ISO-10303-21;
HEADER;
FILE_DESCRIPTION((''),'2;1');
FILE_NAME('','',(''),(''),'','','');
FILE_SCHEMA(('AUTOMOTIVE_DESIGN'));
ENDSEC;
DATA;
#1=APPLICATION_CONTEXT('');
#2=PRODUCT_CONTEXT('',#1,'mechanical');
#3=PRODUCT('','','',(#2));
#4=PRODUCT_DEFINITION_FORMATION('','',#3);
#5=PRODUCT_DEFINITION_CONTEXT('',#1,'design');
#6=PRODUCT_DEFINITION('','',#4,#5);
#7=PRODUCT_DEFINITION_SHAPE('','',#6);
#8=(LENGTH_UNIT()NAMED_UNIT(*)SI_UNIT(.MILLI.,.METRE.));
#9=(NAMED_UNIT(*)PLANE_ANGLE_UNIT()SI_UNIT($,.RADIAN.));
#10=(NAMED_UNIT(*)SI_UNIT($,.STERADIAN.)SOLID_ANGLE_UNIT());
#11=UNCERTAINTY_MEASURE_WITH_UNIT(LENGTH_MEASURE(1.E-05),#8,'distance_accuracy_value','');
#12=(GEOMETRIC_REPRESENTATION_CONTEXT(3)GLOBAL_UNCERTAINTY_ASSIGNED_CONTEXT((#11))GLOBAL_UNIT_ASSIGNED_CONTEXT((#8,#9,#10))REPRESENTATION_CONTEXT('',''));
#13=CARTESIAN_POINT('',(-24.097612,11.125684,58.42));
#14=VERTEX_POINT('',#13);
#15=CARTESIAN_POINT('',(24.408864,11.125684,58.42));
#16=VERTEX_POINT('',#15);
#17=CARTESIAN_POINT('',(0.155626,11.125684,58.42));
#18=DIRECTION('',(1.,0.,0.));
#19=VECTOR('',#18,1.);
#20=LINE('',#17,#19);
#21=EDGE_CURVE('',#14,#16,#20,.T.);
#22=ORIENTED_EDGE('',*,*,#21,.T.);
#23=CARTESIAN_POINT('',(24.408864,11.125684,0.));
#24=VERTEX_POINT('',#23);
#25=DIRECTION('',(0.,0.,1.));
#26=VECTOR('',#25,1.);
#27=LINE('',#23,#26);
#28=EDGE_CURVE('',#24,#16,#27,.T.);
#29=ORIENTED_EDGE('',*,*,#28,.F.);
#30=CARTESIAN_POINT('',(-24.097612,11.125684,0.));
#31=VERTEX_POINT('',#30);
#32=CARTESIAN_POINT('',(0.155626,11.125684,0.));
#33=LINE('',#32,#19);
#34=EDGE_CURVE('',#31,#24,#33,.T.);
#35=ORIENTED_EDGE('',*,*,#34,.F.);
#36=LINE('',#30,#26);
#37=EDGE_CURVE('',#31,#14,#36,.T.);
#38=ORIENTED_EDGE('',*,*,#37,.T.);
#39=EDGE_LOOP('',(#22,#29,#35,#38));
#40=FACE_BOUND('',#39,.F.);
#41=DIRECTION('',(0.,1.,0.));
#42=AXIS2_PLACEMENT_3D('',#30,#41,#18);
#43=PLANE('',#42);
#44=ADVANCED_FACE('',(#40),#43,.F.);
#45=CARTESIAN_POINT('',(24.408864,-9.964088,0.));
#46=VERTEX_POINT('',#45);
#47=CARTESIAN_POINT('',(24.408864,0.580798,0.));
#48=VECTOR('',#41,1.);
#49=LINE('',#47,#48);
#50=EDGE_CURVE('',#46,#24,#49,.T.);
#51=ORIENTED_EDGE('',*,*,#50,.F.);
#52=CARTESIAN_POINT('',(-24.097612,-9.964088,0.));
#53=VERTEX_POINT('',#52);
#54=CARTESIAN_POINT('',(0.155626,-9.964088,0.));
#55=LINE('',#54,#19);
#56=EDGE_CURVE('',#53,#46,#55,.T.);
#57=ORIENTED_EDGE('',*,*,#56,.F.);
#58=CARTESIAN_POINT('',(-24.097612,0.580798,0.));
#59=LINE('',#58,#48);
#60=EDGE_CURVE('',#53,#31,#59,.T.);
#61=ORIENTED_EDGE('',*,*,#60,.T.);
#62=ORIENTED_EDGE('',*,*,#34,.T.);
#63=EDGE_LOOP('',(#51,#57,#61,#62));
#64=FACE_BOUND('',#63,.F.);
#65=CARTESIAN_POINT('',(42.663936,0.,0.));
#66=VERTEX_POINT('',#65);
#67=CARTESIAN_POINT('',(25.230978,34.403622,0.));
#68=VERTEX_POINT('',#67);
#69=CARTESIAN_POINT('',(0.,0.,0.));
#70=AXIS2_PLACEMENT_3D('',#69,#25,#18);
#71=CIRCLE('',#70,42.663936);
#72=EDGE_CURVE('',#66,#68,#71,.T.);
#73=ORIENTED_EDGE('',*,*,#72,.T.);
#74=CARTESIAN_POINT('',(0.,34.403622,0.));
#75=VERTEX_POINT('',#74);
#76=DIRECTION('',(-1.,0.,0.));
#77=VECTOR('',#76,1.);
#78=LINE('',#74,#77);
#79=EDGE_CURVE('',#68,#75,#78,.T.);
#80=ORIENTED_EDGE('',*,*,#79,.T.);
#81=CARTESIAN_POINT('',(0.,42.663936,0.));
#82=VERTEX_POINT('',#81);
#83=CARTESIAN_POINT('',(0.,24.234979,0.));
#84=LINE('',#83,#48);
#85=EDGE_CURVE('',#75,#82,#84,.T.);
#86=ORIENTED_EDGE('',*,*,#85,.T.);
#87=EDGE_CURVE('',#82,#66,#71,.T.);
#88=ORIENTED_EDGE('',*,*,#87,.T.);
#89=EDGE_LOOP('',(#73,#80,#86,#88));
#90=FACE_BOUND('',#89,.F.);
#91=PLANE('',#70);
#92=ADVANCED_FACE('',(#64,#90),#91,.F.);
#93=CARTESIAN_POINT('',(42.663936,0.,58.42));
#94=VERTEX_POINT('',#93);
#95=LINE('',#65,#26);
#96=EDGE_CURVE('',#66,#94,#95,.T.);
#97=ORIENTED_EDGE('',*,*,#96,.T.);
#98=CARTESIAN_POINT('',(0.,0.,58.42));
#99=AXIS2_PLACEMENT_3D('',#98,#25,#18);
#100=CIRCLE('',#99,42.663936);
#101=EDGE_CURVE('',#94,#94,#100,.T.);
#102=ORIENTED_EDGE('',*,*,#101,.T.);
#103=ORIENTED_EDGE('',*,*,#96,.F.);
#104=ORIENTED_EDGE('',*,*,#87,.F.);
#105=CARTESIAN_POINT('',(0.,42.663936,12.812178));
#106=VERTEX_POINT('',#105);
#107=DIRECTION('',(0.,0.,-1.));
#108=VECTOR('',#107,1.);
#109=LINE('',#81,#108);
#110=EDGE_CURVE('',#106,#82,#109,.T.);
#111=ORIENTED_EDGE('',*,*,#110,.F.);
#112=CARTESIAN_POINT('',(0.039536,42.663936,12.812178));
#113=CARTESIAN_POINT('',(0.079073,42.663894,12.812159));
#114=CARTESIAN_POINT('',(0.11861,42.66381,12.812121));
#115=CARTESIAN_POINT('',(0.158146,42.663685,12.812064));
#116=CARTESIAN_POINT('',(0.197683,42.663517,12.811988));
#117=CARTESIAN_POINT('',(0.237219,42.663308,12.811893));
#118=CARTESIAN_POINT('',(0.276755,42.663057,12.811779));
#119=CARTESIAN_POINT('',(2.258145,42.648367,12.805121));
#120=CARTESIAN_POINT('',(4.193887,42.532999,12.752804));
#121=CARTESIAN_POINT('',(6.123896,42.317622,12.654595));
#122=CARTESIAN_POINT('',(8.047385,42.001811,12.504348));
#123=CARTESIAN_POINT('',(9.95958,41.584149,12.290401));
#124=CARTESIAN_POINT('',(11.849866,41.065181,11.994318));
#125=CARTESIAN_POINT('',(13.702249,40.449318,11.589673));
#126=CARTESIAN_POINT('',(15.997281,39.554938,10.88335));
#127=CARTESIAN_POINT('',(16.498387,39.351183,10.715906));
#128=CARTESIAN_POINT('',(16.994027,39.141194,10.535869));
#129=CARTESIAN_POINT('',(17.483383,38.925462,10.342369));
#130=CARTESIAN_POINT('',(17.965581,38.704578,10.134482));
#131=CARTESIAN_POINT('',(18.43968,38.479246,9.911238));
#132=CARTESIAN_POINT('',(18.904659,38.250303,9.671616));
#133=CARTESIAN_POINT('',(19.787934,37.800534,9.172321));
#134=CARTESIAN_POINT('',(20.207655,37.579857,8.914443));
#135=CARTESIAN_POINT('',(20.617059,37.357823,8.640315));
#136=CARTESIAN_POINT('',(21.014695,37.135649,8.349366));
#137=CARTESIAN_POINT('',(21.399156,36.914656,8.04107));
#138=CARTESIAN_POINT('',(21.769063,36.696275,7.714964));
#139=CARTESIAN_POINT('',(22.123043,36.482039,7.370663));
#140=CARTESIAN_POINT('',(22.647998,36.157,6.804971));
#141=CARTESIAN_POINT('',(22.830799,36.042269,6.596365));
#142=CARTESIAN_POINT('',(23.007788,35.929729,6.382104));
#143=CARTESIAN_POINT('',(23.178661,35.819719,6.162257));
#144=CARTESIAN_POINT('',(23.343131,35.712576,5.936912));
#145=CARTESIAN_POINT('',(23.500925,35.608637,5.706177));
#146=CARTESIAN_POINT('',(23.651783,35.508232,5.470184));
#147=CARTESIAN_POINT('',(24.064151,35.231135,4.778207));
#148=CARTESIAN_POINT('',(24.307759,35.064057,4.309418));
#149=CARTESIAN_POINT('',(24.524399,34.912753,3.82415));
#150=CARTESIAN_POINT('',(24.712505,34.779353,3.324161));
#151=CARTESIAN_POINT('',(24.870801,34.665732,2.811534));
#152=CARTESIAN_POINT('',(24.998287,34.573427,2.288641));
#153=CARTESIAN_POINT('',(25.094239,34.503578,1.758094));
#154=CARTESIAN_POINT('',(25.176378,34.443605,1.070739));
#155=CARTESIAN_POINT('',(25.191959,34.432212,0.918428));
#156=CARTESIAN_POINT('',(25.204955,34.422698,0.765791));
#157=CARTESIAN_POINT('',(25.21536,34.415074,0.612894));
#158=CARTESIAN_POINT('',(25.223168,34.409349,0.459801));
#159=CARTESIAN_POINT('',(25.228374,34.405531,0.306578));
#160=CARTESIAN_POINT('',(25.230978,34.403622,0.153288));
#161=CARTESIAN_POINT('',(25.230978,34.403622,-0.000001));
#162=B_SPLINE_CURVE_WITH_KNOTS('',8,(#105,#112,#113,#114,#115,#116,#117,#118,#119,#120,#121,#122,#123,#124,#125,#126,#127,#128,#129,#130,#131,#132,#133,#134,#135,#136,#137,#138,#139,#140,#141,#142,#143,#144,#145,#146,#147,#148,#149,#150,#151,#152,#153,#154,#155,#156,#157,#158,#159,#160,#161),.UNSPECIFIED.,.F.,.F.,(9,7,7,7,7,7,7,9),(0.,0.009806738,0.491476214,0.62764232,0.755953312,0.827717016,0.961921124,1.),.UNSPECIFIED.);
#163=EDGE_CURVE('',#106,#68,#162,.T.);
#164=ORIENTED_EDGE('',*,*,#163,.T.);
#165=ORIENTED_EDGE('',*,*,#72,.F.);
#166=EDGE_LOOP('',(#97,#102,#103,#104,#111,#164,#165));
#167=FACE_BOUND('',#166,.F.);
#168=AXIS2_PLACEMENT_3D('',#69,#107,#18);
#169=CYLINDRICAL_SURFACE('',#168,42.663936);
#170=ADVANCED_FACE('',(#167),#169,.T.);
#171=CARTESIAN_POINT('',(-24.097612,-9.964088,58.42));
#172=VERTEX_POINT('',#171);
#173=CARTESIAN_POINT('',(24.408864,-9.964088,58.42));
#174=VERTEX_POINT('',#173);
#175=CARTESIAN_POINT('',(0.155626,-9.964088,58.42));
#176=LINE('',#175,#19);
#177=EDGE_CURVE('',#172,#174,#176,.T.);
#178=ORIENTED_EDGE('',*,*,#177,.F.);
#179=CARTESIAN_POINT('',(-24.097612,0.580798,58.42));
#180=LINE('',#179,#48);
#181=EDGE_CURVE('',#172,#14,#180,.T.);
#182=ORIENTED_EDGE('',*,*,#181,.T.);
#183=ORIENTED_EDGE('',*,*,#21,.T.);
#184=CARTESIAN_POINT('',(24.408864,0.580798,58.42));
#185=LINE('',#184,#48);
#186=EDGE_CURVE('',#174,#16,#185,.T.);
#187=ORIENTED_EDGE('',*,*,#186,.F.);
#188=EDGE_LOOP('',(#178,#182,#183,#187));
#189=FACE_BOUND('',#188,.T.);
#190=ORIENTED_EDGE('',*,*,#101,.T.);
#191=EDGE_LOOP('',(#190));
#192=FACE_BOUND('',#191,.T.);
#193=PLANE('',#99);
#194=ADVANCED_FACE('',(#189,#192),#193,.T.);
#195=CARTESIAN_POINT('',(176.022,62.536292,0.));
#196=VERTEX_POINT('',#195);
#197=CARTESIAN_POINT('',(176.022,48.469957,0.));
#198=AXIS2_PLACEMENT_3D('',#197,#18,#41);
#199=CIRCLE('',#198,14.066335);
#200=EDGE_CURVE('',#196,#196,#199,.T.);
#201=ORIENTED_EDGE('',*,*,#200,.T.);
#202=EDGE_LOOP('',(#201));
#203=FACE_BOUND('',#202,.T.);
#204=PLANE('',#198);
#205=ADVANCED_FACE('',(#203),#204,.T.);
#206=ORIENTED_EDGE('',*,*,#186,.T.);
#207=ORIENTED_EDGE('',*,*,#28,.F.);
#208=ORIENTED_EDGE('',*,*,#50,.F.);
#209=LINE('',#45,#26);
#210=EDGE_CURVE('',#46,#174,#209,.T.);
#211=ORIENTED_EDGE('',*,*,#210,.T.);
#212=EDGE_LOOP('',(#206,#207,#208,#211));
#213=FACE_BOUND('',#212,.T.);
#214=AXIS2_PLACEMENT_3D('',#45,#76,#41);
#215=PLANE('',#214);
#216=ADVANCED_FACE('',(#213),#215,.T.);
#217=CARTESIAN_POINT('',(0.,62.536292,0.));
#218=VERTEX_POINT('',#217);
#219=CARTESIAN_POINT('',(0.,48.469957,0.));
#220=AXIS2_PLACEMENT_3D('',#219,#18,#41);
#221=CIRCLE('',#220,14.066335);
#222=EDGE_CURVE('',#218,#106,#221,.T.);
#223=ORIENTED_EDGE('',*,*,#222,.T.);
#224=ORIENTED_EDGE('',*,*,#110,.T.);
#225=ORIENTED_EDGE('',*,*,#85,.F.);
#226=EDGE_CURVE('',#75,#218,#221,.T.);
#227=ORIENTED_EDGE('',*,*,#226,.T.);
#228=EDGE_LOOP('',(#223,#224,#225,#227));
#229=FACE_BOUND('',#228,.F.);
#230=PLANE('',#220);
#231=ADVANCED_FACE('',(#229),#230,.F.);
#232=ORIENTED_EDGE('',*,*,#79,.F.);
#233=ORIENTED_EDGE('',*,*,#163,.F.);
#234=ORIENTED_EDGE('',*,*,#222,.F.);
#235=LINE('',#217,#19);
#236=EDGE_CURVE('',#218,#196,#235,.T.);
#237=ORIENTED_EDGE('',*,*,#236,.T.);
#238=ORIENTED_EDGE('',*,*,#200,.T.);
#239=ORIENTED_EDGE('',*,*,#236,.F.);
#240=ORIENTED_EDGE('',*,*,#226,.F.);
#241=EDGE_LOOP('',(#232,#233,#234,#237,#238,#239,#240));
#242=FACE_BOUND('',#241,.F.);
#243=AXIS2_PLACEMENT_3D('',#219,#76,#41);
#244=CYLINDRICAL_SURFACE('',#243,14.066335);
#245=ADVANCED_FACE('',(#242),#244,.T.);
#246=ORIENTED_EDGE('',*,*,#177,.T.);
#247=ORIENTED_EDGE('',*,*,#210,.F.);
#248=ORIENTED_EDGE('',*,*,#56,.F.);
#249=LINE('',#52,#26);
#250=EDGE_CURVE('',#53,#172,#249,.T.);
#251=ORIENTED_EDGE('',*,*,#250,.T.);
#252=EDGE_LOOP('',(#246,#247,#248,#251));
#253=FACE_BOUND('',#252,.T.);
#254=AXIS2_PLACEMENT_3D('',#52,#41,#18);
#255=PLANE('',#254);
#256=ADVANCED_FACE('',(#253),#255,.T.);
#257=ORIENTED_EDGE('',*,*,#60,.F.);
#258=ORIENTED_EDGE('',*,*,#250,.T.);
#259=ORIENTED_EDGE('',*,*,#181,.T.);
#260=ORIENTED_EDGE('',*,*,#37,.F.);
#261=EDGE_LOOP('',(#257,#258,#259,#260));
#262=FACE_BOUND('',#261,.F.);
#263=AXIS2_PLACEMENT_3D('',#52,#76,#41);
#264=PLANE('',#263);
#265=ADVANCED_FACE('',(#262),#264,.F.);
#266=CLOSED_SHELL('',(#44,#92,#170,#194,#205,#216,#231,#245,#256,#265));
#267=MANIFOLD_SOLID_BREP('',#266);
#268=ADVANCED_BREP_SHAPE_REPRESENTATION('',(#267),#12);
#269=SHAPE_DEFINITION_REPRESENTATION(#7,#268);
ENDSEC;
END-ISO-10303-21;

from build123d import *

# Parameters (mm, degrees)
F0_R     = 42.663936
F0_W     = 48.506476
F0_H     = 21.089772
F1_DEPTH = 58.42
F2_R     = 14.066335
F3_DEPTH = 176.022


with BuildPart() as f1:
    # F0 (on Top) → F1 (new body)
    with BuildSketch(Plane.XY):
        Circle(F0_R)
        with Locations((0.155626, 0.580798)):
            Rectangle(F0_W, F0_H, mode=Mode.SUBTRACT)
    extrude(amount=F1_DEPTH)

    # F2 (on Right) → F3 (join)
    with BuildSketch(Plane.YZ):
        with Locations((48.469957, 0)):
            Circle(F2_R)
    extrude(amount=F3_DEPTH)


solid = f1.part
